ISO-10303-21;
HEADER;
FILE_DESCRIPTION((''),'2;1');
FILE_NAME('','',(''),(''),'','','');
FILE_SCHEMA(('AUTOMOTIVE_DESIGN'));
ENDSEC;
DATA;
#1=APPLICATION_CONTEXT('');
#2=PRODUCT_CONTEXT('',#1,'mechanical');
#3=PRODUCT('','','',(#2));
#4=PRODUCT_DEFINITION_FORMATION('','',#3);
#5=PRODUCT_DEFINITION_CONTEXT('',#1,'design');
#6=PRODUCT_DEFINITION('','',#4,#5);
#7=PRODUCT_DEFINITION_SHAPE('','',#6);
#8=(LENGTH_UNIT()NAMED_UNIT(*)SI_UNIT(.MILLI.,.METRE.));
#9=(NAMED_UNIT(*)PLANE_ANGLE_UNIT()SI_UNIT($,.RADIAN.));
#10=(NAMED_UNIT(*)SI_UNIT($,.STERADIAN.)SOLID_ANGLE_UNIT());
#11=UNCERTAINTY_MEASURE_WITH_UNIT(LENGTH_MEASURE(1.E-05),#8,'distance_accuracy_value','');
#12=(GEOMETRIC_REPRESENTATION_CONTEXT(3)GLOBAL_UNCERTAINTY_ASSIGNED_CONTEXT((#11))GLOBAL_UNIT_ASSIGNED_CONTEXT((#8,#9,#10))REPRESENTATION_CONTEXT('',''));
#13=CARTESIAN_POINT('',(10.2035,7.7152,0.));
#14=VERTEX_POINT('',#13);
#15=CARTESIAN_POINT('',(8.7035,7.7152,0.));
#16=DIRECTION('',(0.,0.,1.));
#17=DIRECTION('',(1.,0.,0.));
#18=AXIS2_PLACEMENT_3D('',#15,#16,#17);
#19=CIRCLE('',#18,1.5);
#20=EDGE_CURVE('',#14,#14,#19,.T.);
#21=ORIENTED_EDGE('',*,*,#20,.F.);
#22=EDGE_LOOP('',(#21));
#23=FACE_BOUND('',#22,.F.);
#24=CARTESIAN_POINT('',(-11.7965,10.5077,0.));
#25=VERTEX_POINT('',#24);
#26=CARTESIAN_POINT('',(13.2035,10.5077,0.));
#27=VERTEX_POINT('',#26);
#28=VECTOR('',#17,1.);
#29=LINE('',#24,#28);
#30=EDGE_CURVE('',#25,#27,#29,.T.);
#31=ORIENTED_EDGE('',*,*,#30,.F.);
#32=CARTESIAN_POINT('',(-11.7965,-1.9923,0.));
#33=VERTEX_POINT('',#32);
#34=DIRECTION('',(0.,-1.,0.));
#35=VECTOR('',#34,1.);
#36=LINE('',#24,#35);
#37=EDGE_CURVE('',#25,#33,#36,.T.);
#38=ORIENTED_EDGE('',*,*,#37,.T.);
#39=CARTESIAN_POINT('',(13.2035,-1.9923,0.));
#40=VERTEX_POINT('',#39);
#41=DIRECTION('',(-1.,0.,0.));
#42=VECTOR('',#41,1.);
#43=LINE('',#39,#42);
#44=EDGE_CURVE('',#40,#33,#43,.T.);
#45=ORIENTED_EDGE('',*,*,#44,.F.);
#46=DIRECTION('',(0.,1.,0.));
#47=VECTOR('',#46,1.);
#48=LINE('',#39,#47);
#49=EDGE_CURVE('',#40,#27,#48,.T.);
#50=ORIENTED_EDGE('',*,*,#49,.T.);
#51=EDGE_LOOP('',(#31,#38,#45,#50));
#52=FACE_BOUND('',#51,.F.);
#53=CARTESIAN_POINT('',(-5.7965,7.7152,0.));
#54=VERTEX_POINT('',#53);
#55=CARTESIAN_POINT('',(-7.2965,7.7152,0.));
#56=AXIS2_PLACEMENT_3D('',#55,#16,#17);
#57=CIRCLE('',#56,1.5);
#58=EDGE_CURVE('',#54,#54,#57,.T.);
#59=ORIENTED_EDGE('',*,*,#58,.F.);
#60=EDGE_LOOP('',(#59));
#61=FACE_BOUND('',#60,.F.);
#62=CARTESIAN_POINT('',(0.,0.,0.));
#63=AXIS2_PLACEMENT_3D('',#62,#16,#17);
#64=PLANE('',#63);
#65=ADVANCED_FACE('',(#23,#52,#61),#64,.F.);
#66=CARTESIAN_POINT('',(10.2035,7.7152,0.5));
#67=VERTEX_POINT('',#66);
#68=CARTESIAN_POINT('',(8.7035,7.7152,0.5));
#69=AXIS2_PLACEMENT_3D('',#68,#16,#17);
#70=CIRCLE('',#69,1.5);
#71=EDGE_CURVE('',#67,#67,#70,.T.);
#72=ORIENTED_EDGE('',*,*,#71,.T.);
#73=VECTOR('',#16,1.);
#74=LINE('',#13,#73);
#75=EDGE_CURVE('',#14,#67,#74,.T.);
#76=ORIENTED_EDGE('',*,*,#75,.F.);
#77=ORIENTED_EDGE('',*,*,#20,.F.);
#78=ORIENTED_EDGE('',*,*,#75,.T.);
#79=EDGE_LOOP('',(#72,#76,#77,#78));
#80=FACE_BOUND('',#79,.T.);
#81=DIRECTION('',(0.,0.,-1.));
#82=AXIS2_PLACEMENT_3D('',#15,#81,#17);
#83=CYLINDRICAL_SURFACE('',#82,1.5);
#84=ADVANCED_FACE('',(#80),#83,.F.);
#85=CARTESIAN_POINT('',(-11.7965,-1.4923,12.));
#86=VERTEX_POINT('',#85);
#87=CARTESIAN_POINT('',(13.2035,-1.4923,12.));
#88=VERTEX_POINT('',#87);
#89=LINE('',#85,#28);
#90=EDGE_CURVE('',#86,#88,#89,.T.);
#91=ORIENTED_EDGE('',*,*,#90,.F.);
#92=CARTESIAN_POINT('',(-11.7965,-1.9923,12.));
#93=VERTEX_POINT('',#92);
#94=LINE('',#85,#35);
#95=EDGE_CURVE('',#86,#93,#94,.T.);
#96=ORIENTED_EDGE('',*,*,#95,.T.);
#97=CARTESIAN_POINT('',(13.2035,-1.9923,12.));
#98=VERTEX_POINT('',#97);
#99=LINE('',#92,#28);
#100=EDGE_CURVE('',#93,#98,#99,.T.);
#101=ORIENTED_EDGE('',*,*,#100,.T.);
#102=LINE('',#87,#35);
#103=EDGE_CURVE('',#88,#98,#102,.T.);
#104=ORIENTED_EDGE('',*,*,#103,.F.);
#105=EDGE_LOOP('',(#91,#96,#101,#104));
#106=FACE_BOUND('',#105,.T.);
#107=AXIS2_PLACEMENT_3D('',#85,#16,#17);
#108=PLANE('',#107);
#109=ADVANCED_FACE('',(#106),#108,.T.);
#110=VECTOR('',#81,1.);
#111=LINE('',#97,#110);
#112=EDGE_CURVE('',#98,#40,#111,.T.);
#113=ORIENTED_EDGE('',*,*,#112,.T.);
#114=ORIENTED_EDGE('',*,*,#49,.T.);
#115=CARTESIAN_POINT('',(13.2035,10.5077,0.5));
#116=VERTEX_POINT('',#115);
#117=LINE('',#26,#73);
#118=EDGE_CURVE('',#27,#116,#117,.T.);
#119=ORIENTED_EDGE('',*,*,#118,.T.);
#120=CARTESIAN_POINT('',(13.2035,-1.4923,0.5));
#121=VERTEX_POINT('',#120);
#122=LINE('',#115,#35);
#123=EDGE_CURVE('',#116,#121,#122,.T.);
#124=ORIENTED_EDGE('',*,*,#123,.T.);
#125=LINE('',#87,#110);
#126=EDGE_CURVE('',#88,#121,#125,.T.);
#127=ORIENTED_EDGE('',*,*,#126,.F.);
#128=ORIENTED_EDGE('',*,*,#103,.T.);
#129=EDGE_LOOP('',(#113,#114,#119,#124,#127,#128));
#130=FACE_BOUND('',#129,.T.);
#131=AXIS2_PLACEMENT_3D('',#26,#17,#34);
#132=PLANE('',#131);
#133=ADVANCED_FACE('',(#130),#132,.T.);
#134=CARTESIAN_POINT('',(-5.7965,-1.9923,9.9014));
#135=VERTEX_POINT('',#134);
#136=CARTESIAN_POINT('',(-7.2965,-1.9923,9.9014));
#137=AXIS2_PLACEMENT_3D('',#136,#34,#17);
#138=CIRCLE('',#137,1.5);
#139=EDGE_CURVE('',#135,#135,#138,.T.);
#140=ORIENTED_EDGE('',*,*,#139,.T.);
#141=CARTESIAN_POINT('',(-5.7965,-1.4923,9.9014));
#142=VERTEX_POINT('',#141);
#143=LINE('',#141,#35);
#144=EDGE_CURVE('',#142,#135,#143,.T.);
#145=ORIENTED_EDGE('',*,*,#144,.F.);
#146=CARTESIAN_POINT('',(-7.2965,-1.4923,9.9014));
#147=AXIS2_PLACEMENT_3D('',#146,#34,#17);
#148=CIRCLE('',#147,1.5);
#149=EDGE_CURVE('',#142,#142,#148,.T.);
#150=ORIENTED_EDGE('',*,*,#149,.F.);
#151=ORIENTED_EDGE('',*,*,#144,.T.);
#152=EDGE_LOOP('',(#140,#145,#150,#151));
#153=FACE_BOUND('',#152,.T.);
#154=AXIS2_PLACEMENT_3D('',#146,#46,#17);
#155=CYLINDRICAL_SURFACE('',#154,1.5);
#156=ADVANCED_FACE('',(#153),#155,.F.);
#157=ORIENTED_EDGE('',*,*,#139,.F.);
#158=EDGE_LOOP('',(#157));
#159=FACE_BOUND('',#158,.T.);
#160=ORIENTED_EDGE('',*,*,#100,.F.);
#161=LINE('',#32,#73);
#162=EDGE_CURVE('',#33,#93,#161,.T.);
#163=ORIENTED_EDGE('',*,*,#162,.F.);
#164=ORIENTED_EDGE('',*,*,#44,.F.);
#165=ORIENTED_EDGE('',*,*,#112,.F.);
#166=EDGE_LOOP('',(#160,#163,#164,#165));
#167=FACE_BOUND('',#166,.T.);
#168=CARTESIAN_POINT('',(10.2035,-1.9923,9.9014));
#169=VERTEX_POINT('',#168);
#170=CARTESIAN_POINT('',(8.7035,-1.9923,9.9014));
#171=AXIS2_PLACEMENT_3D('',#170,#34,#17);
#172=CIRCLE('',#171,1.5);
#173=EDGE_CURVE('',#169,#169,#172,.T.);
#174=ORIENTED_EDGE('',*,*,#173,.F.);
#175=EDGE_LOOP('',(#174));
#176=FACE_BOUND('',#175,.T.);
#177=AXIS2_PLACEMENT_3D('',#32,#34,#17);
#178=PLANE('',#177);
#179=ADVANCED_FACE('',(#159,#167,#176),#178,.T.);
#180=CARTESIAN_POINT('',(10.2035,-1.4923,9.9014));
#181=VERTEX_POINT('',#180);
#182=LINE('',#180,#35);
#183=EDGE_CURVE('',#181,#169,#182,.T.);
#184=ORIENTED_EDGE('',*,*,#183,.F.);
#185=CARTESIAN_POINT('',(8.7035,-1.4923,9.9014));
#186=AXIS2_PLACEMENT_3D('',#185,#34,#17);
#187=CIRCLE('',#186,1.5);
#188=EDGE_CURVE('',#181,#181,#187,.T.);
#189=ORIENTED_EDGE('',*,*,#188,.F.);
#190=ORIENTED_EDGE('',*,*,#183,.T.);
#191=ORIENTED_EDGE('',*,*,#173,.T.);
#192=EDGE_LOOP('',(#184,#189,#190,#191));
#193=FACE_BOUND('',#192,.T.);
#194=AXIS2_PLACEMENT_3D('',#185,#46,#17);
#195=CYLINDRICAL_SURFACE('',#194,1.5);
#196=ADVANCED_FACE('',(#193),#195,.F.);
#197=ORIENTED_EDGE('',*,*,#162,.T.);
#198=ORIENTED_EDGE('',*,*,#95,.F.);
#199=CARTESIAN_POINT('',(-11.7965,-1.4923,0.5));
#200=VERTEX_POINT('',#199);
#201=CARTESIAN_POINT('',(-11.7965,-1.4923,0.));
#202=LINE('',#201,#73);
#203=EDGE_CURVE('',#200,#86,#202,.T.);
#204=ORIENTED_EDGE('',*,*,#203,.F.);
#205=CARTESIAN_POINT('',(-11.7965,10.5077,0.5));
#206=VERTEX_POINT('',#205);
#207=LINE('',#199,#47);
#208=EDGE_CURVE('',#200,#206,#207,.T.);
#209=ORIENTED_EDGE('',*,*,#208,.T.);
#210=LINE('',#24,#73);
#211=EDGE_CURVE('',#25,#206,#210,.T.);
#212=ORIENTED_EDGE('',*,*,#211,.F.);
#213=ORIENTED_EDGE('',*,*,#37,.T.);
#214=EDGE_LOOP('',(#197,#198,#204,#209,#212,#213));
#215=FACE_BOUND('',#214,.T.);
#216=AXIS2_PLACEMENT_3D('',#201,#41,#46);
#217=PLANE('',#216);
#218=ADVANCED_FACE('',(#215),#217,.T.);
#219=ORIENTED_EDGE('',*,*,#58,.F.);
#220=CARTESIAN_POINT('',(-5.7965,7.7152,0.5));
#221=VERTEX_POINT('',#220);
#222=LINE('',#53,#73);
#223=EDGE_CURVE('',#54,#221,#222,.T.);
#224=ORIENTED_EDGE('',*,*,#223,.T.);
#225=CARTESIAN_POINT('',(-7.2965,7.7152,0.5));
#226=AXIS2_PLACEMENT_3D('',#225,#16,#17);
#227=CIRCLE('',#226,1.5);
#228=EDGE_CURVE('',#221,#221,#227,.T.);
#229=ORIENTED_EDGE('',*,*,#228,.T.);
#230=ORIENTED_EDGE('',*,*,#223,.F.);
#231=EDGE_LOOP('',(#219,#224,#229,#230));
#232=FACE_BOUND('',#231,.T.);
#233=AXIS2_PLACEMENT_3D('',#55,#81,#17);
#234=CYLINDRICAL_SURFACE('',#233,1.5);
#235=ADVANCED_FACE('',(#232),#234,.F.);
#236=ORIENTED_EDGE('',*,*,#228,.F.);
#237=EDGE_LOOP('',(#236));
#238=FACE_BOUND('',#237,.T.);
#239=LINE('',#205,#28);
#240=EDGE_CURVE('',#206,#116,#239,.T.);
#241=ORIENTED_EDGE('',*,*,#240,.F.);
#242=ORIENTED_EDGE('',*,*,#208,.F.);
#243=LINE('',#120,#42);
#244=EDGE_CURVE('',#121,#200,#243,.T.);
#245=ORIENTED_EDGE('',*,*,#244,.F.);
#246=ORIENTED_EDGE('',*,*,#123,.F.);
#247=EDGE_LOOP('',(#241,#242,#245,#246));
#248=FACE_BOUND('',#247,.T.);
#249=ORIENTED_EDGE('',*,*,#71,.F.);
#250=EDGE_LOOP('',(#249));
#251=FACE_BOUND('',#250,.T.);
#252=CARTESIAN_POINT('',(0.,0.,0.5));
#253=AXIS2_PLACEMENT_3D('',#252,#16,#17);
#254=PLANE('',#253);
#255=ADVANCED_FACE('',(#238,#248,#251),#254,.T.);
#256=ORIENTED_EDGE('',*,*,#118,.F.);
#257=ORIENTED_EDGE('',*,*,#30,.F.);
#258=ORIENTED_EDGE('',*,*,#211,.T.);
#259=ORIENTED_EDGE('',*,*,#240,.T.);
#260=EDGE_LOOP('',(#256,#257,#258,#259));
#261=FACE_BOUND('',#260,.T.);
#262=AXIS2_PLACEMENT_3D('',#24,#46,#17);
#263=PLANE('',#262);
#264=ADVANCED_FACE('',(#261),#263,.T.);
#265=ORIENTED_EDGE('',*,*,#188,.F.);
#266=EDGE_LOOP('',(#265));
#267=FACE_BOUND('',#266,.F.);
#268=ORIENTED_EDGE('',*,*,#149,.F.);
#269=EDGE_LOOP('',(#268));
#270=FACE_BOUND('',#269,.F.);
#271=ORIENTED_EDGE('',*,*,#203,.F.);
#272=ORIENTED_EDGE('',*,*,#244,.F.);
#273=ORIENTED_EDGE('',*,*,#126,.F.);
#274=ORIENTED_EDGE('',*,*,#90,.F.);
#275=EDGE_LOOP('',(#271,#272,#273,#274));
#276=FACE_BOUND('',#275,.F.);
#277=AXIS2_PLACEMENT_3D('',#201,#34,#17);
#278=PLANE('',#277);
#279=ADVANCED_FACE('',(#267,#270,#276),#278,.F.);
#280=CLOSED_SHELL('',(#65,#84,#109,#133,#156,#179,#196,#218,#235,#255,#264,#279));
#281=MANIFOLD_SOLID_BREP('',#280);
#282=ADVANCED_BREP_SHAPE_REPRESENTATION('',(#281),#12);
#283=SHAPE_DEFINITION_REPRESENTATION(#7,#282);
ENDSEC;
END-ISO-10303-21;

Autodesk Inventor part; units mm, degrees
ref_plane "YZ Plane" through (0, 0, 0) normal (1, 0, 0) x (0, 1, 0)
ref_plane "XZ Plane" through (0, 0, 0) normal (0, 1, 0) x (-1, 0, 0)
ref_plane "XY Plane" through (0, 0, 0) normal (0, 0, 1) x (1, 0, 0)
sketch "Sketch1" plane through (0, 0, 0) normal (0, 0, 1) x (1, 0, 0)
  line L0 (-11.7965, 10.5077) -> (13.2035, 10.5077)
  line L1 (13.2035, 10.5077) -> (13.2035, -1.4923)
  line L2 (13.2035, -1.4923) -> (-11.7965, -1.4923)
  line L3 (-11.7965, -1.4923) -> (-11.7965, 10.5077)
  line L4 (-11.7965, -1.4923) -> (-11.7965, -1.9923)
  line L5 (-11.7965, -1.9923) -> (13.2035, -1.9923)
  circle A0 centre (-7.2965, 7.7152) radius 1.5
  circle A1 centre (8.7035, 7.7152) radius 1.5
  line L6 (13.2035, -1.4923) -> (13.2035, -1.9923)
  point P0 (0, 0)
  dimension "d0" = 25
  dimension "d1" = 12
  dimension "d7" = 3
  dimension "d8" = 3
extrude "Extrusion1" add sketch "Sketch1" along normal blind 0.5 contours L0 L1 L2 L3
sketch "Sketch2" plane through (-11.7965, -1.4923, 0) normal (0, -1, 0) x (1, 0, 0)
  line L0 (25, 0) -> (0, 0) projected
  line L1 (0, 0) -> (0, 12)
  line L2 (0, 12) -> (25, 12)
  line L3 (25, 12) -> (25, 0)
  line L4 (25, 0) -> (0, 0)
  circle A0 centre (4.5, 9.9014) radius 1.5
  circle A1 centre (20.5, 9.9014) radius 1.5
  point P0 (11.7965, 0)
  dimension "d11" = 12
  dimension "d16" = 3
  dimension "d17" = 3
extrude "Extrusion2" add sketch "Sketch2" along normal blind 0.5
properties part number "Hinge angle"
